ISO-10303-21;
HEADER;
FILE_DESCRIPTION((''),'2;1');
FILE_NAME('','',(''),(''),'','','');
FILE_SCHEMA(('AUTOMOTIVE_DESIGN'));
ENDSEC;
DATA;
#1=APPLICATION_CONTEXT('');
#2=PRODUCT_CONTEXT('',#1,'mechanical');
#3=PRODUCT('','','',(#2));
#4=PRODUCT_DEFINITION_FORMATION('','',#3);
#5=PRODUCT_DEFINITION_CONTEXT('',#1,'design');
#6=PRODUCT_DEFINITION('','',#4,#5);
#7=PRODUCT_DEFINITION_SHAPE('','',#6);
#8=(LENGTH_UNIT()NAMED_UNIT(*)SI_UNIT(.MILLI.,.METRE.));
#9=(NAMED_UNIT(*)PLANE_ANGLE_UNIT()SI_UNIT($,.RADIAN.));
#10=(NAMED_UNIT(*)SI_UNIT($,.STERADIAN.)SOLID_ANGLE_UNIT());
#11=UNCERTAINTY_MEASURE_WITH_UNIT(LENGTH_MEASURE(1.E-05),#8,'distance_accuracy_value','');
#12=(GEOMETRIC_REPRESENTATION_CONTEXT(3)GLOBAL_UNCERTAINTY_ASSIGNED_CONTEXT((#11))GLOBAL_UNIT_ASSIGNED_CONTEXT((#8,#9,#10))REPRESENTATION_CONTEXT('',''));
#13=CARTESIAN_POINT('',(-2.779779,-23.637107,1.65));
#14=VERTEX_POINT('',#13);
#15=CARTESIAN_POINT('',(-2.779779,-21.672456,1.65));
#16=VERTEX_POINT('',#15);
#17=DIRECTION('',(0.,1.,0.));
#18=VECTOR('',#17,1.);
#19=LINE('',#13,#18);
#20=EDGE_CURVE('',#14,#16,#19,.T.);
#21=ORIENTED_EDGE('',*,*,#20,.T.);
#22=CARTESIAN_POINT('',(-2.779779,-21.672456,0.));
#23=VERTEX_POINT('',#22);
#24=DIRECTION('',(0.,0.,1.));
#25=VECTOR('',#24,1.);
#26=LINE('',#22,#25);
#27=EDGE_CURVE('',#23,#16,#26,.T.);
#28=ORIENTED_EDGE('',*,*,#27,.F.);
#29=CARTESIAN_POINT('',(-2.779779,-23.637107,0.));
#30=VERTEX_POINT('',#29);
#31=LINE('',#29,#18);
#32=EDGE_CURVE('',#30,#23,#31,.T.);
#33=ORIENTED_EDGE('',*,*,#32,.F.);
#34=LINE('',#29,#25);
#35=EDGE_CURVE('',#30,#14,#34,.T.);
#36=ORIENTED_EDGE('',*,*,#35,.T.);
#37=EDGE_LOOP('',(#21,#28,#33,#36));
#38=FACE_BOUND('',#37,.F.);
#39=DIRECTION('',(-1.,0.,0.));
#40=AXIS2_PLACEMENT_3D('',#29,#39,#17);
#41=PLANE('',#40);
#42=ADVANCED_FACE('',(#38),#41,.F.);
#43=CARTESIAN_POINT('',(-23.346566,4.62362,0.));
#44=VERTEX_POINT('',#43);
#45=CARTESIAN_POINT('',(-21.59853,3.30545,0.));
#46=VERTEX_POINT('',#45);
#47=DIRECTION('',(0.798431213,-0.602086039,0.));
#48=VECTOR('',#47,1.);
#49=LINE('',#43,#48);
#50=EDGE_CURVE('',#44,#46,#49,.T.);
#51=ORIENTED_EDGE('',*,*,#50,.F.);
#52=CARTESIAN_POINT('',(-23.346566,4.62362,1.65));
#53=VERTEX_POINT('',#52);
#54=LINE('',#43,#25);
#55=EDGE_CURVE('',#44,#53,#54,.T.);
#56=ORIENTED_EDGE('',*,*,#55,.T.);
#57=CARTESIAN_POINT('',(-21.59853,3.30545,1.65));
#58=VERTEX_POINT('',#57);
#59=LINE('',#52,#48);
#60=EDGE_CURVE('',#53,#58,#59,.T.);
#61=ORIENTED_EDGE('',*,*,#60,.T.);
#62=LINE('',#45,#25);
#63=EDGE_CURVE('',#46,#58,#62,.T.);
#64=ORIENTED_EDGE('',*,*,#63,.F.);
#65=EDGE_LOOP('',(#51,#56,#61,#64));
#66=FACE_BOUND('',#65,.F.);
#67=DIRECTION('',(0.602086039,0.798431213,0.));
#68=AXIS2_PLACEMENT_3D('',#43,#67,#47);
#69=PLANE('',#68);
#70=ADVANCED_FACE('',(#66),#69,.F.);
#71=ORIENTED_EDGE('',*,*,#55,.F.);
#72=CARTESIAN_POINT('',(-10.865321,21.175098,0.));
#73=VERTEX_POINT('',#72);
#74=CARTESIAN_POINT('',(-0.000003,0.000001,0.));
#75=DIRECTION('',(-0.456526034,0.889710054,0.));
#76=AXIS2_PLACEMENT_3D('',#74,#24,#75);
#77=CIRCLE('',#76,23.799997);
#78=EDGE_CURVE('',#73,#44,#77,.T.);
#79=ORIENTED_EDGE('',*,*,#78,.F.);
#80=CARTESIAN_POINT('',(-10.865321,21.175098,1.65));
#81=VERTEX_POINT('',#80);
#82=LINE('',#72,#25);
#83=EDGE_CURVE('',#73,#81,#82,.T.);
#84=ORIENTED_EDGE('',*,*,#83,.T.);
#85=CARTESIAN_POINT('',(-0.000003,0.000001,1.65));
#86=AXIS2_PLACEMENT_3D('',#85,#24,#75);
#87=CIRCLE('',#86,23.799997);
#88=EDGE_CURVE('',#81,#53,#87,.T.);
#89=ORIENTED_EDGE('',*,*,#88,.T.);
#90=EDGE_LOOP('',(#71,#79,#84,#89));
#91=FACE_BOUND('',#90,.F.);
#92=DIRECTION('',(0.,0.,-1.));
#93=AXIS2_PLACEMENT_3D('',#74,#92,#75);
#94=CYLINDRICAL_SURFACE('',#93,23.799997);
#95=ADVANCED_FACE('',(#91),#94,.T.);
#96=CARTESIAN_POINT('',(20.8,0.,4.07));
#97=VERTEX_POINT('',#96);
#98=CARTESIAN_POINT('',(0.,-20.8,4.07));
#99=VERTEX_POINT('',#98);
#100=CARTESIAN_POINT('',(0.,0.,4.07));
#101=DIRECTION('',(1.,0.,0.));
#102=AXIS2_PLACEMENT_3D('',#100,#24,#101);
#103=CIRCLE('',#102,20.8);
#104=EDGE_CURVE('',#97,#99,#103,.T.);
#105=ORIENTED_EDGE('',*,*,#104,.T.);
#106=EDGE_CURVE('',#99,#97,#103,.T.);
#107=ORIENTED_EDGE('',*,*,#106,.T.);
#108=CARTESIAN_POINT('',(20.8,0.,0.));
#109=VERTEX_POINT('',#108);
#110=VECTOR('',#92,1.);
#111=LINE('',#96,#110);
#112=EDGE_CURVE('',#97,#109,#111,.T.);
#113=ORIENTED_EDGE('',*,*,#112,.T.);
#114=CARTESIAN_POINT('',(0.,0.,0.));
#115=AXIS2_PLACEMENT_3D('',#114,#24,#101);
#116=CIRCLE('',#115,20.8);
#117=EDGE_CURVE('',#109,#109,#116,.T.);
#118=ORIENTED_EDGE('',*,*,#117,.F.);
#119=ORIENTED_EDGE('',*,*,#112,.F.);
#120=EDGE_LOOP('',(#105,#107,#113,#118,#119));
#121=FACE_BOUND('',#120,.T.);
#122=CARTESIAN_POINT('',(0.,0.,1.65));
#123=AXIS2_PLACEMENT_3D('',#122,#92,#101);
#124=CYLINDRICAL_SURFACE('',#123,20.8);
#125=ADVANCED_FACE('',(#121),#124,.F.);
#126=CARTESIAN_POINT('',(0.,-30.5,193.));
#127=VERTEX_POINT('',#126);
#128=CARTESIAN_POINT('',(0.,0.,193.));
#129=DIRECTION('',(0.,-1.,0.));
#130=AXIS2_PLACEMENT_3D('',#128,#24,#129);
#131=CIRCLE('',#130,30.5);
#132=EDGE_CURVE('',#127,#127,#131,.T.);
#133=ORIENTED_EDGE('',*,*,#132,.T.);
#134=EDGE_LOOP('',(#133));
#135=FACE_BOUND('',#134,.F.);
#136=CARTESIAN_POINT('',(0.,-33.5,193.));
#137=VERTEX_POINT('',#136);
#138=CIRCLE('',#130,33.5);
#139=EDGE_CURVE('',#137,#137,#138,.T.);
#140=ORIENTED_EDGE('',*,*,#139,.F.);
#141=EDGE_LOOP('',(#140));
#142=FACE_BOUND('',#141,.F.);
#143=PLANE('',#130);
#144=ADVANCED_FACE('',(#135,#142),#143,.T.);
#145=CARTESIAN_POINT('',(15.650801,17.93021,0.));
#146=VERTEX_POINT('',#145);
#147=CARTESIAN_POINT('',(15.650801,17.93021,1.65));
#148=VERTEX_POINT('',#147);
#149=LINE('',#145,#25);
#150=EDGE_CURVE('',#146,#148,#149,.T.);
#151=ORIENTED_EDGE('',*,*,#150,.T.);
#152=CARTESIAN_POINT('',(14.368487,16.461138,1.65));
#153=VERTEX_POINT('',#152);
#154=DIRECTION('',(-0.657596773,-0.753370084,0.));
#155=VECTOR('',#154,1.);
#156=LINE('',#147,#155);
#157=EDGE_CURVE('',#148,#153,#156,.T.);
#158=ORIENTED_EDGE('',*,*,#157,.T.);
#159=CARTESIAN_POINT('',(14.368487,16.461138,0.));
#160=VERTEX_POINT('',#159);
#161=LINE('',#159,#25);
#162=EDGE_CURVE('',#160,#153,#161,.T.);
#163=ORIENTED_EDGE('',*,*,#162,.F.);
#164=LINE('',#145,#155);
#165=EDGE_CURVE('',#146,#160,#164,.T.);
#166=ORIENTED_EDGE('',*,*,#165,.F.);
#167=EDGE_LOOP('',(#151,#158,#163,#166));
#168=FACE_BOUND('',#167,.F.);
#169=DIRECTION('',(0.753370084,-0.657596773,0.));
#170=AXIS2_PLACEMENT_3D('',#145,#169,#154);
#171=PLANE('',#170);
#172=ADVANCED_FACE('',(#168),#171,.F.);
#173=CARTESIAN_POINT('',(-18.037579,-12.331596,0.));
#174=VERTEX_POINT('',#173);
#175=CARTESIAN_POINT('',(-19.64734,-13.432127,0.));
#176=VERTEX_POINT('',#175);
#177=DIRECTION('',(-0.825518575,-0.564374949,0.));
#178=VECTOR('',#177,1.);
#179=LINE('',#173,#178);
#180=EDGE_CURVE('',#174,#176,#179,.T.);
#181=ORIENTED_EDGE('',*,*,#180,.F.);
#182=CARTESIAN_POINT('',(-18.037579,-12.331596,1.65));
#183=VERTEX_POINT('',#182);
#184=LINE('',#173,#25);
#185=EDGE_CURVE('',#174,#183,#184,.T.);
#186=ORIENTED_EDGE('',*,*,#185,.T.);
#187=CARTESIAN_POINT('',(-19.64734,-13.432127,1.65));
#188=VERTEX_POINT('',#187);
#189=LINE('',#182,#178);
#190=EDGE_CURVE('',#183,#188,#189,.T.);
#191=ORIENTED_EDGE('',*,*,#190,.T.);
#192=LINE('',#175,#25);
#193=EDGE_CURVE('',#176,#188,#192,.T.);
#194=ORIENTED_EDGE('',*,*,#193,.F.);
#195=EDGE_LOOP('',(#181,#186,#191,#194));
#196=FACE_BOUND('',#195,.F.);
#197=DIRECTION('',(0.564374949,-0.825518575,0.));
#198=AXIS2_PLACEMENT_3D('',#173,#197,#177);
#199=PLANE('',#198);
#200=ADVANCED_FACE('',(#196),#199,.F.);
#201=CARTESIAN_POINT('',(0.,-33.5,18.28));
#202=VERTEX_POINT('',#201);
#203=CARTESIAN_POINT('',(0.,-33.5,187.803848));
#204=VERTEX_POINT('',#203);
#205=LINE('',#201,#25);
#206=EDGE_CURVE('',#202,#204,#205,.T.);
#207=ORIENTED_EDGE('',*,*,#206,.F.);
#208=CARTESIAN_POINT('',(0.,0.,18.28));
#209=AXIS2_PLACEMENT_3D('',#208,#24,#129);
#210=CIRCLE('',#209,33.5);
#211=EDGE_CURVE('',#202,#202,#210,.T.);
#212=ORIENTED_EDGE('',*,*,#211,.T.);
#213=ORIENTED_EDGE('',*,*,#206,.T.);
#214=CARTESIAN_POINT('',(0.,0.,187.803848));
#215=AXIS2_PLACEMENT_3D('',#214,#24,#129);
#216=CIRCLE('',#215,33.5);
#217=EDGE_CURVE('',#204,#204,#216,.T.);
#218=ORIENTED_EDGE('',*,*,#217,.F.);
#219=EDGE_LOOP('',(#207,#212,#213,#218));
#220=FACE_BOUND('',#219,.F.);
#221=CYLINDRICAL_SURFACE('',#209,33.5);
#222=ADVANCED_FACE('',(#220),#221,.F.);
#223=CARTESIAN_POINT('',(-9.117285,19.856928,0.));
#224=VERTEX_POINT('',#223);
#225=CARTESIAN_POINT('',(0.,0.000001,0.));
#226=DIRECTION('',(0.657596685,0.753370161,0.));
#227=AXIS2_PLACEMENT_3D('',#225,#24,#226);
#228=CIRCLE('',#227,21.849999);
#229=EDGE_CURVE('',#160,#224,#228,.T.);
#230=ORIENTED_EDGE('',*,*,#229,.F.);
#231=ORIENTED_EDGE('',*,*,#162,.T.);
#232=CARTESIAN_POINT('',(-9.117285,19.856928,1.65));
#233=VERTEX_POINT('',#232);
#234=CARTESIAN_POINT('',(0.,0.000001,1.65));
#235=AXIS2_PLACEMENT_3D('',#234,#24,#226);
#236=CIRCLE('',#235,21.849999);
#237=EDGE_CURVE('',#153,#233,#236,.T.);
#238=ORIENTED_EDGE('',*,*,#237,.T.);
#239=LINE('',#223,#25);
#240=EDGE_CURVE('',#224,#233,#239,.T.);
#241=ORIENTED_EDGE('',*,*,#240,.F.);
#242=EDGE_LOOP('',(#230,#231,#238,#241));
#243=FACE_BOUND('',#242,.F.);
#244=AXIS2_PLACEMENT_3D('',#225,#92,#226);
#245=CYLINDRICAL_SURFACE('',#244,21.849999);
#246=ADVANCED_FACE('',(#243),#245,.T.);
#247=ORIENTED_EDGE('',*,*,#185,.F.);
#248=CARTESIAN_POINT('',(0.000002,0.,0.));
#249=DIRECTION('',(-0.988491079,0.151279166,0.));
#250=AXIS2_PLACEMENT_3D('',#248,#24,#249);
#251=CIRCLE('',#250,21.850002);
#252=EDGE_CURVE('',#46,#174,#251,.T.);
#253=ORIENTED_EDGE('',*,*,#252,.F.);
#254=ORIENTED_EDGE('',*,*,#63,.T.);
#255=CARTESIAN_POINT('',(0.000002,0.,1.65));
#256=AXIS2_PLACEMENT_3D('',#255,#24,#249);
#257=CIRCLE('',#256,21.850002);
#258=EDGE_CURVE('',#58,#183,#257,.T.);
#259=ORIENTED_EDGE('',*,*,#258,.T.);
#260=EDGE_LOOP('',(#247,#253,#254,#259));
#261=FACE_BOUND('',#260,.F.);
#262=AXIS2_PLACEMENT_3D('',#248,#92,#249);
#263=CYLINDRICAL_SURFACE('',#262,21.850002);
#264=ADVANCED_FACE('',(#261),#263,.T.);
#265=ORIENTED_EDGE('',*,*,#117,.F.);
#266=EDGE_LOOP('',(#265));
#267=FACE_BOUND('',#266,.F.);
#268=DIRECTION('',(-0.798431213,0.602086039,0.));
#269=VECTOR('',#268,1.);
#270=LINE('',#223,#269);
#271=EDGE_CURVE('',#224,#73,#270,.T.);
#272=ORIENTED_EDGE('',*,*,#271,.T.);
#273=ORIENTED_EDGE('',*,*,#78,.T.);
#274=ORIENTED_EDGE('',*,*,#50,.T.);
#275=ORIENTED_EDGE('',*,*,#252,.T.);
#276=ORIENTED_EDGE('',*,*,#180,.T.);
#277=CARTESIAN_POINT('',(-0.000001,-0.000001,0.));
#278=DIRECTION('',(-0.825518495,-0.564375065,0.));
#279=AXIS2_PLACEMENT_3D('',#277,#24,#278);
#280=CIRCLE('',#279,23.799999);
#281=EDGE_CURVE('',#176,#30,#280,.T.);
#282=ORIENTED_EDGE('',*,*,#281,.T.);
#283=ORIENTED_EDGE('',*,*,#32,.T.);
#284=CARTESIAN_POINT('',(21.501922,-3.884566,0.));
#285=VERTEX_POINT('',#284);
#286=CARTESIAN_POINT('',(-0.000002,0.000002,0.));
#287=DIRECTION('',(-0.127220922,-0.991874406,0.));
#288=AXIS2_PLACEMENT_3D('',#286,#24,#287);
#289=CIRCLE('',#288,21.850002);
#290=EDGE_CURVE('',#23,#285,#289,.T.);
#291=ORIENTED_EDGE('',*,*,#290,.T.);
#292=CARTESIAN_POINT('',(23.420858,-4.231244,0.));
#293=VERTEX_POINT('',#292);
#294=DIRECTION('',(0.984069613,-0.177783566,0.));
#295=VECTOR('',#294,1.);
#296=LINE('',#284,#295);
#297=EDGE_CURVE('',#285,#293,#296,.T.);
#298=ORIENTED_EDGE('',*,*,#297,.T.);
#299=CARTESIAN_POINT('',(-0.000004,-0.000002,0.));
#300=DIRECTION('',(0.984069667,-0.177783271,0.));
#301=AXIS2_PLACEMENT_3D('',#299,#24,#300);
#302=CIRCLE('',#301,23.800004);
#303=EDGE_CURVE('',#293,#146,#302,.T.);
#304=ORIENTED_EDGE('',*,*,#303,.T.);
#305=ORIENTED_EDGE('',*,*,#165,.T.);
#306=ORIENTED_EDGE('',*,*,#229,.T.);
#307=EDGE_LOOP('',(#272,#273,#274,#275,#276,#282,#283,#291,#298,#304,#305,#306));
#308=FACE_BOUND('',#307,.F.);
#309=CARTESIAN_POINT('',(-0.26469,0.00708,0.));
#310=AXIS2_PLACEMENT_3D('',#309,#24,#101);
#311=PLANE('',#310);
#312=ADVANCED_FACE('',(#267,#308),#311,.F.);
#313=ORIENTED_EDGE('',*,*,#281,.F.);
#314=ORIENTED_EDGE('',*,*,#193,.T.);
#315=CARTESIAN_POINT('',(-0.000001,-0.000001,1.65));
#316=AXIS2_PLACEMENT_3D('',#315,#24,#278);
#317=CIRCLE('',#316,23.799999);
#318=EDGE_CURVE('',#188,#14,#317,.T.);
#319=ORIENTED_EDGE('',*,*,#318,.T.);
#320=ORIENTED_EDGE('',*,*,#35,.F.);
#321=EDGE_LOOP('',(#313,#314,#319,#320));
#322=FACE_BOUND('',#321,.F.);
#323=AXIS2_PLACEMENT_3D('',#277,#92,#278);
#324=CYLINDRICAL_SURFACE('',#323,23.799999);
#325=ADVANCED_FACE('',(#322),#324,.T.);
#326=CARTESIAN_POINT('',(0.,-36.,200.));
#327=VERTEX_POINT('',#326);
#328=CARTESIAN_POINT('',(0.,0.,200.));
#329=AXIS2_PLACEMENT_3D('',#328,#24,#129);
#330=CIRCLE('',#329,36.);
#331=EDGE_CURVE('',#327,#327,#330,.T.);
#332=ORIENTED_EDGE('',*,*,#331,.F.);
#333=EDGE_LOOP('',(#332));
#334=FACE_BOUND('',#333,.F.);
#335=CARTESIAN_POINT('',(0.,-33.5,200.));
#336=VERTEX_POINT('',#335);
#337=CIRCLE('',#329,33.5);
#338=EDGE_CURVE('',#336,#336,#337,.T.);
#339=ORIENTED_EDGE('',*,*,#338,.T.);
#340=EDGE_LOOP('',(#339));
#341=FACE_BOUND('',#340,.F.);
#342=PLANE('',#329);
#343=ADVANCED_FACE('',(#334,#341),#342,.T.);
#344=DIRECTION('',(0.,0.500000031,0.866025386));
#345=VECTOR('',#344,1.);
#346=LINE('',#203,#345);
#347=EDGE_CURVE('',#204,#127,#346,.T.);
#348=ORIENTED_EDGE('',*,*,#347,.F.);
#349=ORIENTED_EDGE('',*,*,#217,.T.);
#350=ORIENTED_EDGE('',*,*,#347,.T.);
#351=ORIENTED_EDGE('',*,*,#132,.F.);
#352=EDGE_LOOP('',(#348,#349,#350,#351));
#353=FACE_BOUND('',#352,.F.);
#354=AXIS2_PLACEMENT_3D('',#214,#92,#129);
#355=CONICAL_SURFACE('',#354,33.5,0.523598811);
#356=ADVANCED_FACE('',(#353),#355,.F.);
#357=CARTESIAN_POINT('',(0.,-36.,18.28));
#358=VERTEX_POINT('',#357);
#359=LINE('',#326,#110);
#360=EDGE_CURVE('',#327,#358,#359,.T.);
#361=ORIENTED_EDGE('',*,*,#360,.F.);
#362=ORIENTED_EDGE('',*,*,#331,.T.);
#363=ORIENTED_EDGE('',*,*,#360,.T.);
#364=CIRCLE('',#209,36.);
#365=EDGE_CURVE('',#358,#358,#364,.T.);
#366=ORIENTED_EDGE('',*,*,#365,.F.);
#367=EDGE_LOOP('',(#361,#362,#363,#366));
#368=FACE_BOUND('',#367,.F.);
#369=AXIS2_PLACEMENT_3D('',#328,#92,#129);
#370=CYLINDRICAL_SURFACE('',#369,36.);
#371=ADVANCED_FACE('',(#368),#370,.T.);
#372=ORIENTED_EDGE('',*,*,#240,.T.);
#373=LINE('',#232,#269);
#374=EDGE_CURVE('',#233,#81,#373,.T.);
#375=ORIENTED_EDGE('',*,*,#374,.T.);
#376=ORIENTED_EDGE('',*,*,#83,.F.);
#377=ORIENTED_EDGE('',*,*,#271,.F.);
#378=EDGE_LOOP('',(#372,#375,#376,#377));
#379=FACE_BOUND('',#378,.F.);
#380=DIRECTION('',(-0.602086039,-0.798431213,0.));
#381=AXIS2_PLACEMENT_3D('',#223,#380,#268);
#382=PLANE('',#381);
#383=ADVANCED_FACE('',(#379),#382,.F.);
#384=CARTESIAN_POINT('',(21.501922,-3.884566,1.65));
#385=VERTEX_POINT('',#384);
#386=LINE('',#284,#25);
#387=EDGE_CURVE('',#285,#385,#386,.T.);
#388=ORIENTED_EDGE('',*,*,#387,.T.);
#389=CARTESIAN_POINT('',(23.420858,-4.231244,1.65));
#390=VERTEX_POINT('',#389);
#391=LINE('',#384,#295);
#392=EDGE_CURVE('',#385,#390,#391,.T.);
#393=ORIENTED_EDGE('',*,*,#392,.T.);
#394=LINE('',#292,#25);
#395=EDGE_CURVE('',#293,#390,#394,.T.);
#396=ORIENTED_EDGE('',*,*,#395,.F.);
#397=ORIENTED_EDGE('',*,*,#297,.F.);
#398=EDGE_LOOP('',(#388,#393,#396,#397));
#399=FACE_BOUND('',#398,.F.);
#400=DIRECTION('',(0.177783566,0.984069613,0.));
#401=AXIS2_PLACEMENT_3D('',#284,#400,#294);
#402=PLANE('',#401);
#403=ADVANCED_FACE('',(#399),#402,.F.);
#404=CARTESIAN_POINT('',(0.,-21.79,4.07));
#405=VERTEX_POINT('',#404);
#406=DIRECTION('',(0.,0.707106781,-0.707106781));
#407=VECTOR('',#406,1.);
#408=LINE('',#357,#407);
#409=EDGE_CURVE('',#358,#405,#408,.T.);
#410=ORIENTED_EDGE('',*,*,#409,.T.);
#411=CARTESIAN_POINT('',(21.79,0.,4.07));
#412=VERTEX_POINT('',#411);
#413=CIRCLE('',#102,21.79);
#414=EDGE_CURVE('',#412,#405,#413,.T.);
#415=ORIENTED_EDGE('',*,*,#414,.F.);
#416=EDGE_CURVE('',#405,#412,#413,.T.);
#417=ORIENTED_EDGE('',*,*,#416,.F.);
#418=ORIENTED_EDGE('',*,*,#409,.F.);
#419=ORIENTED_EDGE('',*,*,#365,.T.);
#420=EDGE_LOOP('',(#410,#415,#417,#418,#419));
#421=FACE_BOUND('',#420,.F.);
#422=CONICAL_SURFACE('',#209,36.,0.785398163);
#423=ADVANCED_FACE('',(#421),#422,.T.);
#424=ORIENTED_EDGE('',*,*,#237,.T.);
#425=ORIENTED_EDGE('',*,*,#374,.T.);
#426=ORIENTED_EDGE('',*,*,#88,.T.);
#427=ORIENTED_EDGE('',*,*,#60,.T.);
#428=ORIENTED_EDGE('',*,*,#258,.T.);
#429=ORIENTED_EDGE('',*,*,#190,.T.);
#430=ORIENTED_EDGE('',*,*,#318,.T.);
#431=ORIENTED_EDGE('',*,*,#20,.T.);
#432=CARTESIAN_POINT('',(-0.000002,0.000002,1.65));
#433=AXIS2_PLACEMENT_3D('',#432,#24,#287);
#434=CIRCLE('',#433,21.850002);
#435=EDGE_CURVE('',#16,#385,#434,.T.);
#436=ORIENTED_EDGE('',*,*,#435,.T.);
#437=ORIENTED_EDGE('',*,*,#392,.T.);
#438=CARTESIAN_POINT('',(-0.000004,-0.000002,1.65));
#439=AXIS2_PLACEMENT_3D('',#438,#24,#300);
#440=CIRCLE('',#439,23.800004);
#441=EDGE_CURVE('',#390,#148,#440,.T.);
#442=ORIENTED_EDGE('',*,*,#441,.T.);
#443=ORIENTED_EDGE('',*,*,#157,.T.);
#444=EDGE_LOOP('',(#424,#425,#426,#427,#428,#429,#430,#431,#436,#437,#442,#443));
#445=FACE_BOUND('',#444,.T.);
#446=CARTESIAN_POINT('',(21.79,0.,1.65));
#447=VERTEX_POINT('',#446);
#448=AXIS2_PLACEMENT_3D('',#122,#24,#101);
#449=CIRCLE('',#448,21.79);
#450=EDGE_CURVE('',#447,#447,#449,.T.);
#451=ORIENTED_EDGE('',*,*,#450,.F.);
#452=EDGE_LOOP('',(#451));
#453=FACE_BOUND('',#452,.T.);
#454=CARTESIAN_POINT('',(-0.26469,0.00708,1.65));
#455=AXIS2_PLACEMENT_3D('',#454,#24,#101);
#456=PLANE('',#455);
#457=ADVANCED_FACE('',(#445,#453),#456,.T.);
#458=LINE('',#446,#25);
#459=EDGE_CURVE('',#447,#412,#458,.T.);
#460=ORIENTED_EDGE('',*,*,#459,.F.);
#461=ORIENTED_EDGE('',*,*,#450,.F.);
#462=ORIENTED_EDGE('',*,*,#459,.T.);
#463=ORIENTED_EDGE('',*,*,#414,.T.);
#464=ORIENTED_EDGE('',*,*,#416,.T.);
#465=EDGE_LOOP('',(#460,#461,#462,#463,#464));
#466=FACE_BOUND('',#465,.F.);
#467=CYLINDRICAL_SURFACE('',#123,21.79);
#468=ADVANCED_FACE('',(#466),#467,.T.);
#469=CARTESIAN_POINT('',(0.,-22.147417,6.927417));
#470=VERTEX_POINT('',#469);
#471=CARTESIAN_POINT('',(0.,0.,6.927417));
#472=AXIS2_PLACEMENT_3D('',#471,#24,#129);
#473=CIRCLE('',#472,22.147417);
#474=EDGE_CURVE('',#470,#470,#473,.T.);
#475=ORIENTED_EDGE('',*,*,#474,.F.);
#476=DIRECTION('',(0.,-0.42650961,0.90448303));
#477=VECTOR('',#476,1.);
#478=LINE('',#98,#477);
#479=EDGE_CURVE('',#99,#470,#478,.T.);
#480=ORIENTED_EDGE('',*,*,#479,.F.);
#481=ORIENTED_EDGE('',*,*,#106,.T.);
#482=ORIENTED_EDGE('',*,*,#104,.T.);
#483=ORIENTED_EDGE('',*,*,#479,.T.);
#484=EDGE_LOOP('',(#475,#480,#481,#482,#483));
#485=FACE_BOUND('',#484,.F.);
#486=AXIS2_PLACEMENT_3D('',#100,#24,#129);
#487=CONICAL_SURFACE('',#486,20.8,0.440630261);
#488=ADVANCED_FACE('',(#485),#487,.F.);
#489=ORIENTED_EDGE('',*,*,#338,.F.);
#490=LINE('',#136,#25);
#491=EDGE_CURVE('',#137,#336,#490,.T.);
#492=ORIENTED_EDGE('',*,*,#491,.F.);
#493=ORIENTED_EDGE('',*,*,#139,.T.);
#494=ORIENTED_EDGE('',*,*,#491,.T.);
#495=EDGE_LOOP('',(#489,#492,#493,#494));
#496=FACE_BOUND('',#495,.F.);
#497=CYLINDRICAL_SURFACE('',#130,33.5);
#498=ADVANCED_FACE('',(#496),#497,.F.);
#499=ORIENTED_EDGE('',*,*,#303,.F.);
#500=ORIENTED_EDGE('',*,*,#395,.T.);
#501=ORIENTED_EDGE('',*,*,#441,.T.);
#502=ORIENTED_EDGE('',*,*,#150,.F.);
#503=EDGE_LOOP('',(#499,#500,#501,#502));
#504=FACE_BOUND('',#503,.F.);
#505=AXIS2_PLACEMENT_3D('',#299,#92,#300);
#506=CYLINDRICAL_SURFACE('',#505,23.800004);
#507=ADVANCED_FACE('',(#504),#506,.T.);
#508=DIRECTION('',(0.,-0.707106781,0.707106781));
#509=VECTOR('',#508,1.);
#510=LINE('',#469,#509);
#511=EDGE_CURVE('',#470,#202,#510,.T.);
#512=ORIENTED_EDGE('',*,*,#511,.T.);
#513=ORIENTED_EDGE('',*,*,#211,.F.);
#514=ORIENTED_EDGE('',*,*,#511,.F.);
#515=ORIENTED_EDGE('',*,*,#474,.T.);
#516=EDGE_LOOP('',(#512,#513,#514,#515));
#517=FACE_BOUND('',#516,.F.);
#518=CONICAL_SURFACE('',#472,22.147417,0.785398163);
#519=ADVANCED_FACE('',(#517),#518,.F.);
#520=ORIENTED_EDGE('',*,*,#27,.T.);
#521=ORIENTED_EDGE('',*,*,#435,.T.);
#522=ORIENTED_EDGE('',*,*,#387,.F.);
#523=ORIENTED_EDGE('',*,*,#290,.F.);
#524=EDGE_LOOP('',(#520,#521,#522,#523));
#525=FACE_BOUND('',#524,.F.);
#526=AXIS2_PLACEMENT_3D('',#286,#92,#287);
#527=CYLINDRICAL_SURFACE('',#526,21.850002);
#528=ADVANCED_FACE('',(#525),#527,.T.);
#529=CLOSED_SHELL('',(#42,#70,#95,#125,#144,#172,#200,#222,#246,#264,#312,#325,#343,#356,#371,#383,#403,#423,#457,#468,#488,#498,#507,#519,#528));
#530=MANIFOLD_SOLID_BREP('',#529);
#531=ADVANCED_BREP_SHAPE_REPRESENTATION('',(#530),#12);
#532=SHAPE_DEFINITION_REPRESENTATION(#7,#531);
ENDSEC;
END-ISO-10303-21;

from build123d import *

# Parameters (mm, degrees)
F0_R     = 20.8
F1_DEPTH = 1.65
F2_R     = 21.79
F2_R_2   = 20.8
F3_DEPTH = 2.42


with BuildPart() as f1:
    # F0 (on Top) → F1 (new body)
    with BuildSketch(Plane.XY):
        with BuildLine():
            Line((-23.346566, 4.62362), (-21.59853, 3.30545))
            ThreePointArc((-21.59853, 3.30545), (-21.304567, -4.85159), (-18.037579, -12.331596))
            Line((-18.037579, -12.331596), (-19.64734, -13.432127))
            ThreePointArc((-19.64734, -13.432127), (-12.319875, -20.363219), (-2.779779, -23.637107))
            Line((-2.779779, -23.637107), (-2.779779, -21.672456))
            ThreePointArc((-2.779779, -21.672456), (12.912471, -17.626417), (21.501922, -3.884566))
            Line((21.501922, -3.884566), (23.420858, -4.231244))
            ThreePointArc((23.420858, -4.231244), (22.459544, 7.874571), (15.650801, 17.93021))
            Line((15.650801, 17.93021), (14.368487, 16.461138))
            ThreePointArc((14.368487, 16.461138), (3.12676, 21.625121), (-9.117285, 19.856928))
            Line((-9.117285, 19.856928), (-10.865321, 21.175098))
            ThreePointArc((-10.865321, 21.175098), (-19.002662, 14.329649), (-23.346566, 4.62362))
        make_face()
        Circle(F0_R, mode=Mode.SUBTRACT)
    extrude(amount=F1_DEPTH)

    # F2 (on face) → F3 (join)
    with BuildSketch(Plane.XY.offset(1.65)):
        Circle(F2_R)
        Circle(F2_R_2, mode=Mode.SUBTRACT)
    extrude(amount=F3_DEPTH)

    # F4 (on Right) → F5 (revolve)
    with BuildSketch(Plane.YZ):
        Polygon((-33.5, 193), (-33.5, 200), (-36, 200), (-36, 18.28), (-21.79, 4.07), (-20.8, 4.07), (-22.147417, 6.927417), (-33.5, 18.28), (-33.5, 187.803848), (-30.5, 193), align=None)
    revolve(axis=Axis((0, 0, 100), (0, 0, 1)))


solid = f1.part
